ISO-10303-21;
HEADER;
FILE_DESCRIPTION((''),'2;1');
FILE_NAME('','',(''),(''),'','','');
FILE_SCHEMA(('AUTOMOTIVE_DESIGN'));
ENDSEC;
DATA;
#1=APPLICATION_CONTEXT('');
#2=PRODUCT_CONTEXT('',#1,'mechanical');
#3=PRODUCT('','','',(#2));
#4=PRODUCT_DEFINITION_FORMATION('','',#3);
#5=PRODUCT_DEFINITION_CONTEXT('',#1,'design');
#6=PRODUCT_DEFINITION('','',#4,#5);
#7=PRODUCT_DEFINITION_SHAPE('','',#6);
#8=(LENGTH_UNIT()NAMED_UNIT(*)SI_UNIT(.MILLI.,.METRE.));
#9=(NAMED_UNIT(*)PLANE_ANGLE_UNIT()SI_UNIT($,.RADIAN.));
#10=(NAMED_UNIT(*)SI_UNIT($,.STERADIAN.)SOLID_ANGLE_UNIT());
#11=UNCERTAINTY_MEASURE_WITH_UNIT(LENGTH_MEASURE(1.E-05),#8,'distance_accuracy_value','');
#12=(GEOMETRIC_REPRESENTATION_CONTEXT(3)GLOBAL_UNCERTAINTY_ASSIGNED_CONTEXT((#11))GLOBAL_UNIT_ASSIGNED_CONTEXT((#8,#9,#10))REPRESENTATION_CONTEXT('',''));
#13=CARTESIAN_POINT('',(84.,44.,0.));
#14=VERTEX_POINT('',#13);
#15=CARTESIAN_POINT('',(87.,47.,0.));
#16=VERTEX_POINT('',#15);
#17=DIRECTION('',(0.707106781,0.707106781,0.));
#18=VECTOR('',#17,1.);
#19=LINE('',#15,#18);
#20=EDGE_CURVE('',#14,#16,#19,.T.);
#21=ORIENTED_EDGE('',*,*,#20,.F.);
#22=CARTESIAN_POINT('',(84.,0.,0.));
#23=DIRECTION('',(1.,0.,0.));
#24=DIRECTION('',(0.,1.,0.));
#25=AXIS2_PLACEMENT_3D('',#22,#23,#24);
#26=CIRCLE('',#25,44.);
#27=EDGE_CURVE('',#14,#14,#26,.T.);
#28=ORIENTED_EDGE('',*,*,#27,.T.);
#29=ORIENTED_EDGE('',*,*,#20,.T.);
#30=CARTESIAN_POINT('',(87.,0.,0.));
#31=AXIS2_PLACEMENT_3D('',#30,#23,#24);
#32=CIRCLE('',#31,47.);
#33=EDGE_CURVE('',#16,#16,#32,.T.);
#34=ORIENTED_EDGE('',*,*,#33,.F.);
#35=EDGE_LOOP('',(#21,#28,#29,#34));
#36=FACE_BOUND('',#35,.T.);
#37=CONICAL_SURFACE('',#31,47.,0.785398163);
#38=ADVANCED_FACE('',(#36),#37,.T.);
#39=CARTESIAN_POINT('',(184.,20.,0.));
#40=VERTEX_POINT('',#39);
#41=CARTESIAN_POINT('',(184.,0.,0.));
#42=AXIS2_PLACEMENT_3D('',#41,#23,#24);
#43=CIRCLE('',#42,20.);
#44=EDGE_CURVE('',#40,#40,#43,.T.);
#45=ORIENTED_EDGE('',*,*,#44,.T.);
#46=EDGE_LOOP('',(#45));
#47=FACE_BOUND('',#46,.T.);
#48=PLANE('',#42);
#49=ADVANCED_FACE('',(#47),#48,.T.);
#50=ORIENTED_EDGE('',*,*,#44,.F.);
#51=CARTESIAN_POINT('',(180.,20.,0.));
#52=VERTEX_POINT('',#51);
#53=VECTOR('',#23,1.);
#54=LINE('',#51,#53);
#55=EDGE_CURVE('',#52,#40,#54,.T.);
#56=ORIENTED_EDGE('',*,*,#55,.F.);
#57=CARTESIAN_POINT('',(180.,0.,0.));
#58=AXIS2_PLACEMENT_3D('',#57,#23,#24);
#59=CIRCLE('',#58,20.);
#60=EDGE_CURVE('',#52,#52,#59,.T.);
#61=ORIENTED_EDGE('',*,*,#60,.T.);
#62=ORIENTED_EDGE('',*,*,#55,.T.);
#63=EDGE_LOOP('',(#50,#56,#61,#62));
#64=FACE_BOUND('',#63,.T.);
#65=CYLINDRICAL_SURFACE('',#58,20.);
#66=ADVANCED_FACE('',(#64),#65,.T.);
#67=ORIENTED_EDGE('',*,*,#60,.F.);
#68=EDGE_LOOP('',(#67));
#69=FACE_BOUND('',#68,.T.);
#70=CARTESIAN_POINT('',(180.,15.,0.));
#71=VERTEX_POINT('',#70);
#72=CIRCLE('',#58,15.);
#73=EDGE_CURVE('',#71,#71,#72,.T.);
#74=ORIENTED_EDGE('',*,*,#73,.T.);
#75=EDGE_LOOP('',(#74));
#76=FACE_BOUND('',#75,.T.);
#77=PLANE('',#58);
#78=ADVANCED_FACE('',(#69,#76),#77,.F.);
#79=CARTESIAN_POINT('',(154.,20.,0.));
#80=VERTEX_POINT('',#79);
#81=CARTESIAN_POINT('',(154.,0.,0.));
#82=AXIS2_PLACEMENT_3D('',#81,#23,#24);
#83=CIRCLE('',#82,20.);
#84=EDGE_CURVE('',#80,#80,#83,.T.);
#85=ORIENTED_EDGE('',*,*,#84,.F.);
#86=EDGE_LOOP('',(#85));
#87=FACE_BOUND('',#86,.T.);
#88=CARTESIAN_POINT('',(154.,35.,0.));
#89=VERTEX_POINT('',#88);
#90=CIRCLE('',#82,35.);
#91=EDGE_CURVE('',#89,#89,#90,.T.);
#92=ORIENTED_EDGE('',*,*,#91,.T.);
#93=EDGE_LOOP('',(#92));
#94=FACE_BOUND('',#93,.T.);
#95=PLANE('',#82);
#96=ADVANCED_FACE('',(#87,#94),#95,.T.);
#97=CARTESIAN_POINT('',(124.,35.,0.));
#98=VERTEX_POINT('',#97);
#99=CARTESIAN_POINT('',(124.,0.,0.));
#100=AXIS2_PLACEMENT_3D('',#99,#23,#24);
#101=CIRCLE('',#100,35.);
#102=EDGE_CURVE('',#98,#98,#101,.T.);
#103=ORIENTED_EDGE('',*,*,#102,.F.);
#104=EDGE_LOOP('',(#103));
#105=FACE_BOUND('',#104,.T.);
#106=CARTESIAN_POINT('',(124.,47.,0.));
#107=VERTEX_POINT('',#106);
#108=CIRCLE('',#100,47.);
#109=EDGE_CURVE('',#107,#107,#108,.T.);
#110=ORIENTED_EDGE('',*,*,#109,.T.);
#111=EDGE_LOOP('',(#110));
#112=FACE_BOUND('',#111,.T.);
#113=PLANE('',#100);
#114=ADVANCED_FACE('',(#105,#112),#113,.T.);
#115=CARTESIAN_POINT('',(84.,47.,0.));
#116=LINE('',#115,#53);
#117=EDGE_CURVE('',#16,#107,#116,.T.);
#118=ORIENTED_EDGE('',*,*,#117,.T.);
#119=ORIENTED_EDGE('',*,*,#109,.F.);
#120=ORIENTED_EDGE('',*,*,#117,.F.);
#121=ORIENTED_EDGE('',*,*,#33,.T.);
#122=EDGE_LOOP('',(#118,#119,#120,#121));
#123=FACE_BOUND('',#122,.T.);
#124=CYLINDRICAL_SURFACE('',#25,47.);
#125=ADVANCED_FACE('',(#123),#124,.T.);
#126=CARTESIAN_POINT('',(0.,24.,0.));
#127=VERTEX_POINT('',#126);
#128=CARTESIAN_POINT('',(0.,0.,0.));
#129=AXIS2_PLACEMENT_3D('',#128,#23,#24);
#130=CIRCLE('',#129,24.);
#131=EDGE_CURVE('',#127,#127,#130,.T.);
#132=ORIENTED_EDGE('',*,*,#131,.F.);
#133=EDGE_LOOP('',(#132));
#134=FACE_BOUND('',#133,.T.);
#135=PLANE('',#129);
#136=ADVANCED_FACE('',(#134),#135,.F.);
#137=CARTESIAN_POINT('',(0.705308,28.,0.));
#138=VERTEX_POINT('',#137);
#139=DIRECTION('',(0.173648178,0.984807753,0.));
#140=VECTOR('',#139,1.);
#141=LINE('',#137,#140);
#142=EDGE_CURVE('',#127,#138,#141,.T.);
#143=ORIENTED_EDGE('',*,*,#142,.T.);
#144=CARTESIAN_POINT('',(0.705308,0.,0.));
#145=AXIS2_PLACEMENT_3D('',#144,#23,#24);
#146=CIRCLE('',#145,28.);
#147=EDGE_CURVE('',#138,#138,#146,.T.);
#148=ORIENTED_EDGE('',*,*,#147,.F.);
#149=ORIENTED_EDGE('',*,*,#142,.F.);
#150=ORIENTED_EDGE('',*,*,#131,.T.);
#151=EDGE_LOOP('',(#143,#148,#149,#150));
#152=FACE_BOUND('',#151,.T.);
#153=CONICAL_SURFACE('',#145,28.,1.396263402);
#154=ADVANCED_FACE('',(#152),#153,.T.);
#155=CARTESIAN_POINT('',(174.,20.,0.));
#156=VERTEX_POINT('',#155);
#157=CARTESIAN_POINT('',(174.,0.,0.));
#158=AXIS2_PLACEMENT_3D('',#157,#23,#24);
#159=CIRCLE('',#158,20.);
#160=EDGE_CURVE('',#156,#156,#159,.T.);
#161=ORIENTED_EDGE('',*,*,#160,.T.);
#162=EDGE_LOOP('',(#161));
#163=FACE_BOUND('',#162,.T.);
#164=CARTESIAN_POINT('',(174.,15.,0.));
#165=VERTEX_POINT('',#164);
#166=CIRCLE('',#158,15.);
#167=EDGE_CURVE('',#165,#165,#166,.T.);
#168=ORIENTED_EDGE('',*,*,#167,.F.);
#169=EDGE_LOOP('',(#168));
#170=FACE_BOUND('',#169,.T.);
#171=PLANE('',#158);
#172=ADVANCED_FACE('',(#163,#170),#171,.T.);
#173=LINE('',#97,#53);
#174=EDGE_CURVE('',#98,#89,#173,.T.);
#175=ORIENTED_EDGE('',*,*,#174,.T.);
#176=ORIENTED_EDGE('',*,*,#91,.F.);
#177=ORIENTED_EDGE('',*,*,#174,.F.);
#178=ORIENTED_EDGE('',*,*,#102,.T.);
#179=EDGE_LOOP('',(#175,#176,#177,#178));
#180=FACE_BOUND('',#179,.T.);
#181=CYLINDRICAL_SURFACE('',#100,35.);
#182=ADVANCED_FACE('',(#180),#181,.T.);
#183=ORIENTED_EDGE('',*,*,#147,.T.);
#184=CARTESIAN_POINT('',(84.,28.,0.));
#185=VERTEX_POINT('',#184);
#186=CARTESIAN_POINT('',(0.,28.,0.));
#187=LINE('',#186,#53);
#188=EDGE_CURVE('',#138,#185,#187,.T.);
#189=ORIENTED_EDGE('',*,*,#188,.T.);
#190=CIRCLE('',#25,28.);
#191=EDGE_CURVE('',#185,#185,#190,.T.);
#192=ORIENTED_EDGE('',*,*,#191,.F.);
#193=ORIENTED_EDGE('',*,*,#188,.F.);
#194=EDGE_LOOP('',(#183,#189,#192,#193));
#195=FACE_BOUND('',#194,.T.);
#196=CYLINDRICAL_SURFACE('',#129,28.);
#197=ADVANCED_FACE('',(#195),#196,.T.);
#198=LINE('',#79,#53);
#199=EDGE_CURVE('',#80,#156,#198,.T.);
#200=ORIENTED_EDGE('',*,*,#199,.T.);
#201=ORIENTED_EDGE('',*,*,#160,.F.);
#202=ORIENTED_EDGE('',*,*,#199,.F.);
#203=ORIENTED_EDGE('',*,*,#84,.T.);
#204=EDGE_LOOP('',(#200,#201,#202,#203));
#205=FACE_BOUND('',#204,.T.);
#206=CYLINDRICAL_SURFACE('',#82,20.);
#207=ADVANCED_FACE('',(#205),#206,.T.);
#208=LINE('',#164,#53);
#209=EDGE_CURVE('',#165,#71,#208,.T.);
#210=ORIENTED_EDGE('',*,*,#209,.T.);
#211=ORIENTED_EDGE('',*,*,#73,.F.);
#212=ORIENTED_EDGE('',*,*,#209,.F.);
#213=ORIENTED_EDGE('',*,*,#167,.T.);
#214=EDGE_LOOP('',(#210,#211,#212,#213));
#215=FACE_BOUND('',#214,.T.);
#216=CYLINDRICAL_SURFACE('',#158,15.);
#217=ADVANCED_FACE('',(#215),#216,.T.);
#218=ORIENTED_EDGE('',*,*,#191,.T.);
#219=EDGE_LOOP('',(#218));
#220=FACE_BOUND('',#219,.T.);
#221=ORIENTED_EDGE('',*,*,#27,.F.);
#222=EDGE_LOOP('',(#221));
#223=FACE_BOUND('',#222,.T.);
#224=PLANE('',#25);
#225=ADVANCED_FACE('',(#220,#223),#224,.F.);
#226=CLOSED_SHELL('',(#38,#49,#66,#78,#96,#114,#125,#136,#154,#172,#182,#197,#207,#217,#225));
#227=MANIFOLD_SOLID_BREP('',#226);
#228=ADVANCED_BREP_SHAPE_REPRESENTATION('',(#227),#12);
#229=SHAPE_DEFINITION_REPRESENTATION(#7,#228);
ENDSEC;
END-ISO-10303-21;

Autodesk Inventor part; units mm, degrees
ref_plane "YZ Plane" through (0, 0, 0) normal (1, 0, 0) x (0, 1, 0)
ref_plane "XZ Plane" through (0, 0, 0) normal (0, 1, 0) x (-1, 0, 0)
ref_plane "XY Plane" through (0, 0, 0) normal (0, 0, 1) x (1, 0, 0)
sketch "Skizze1" plane through (0, 0, 0) normal (0, 0, 1) x (1, 0, 0)
  line L0 (0, 0) -> (184, 0)
  line L1 (0, 0) -> (0, 28)
  line L2 (0, 28) -> (84, 28)
  line L3 (84, 28) -> (84, 47)
  line L4 (84, 47) -> (124, 47)
  line L5 (124, 47) -> (124, 35)
  line L6 (124, 35) -> (154, 35)
  line L7 (154, 35) -> (154, 20)
  line L8 (154, 20) -> (174, 20)
  line L9 (174, 20) -> (174, 15)
  line L10 (174, 15) -> (180, 15)
  line L11 (180, 15) -> (180, 20)
  line L12 (180, 20) -> (184, 20)
  line L13 (184, 20) -> (184, 0)
  dimension "d0" = 184
  dimension "d1" = 4
  dimension "d2" = 20
  dimension "d3" = 30
  dimension "d4" = 40
  dimension "d5" = 40
  dimension "d6" = 30
  dimension "d7" = 84
  dimension "d8" = 56
  dimension "d9" = 94
  dimension "d10" = 70
revolve "Umdrehung1" add sketch "Skizze1" angle 360 about axis through (0, 0, 0) along (1, 0, 0)
chamfer "Fasen1" distance 4 angle 10 1 edges at (0, -28, 0) measured on face at (0, 6.9861, 6.1891)
chamfer "Fasen2" distance 3 angle 45 1 edges at (84, -47, 0)
properties part number "Welle" material "Stahl, galvanisiert"
